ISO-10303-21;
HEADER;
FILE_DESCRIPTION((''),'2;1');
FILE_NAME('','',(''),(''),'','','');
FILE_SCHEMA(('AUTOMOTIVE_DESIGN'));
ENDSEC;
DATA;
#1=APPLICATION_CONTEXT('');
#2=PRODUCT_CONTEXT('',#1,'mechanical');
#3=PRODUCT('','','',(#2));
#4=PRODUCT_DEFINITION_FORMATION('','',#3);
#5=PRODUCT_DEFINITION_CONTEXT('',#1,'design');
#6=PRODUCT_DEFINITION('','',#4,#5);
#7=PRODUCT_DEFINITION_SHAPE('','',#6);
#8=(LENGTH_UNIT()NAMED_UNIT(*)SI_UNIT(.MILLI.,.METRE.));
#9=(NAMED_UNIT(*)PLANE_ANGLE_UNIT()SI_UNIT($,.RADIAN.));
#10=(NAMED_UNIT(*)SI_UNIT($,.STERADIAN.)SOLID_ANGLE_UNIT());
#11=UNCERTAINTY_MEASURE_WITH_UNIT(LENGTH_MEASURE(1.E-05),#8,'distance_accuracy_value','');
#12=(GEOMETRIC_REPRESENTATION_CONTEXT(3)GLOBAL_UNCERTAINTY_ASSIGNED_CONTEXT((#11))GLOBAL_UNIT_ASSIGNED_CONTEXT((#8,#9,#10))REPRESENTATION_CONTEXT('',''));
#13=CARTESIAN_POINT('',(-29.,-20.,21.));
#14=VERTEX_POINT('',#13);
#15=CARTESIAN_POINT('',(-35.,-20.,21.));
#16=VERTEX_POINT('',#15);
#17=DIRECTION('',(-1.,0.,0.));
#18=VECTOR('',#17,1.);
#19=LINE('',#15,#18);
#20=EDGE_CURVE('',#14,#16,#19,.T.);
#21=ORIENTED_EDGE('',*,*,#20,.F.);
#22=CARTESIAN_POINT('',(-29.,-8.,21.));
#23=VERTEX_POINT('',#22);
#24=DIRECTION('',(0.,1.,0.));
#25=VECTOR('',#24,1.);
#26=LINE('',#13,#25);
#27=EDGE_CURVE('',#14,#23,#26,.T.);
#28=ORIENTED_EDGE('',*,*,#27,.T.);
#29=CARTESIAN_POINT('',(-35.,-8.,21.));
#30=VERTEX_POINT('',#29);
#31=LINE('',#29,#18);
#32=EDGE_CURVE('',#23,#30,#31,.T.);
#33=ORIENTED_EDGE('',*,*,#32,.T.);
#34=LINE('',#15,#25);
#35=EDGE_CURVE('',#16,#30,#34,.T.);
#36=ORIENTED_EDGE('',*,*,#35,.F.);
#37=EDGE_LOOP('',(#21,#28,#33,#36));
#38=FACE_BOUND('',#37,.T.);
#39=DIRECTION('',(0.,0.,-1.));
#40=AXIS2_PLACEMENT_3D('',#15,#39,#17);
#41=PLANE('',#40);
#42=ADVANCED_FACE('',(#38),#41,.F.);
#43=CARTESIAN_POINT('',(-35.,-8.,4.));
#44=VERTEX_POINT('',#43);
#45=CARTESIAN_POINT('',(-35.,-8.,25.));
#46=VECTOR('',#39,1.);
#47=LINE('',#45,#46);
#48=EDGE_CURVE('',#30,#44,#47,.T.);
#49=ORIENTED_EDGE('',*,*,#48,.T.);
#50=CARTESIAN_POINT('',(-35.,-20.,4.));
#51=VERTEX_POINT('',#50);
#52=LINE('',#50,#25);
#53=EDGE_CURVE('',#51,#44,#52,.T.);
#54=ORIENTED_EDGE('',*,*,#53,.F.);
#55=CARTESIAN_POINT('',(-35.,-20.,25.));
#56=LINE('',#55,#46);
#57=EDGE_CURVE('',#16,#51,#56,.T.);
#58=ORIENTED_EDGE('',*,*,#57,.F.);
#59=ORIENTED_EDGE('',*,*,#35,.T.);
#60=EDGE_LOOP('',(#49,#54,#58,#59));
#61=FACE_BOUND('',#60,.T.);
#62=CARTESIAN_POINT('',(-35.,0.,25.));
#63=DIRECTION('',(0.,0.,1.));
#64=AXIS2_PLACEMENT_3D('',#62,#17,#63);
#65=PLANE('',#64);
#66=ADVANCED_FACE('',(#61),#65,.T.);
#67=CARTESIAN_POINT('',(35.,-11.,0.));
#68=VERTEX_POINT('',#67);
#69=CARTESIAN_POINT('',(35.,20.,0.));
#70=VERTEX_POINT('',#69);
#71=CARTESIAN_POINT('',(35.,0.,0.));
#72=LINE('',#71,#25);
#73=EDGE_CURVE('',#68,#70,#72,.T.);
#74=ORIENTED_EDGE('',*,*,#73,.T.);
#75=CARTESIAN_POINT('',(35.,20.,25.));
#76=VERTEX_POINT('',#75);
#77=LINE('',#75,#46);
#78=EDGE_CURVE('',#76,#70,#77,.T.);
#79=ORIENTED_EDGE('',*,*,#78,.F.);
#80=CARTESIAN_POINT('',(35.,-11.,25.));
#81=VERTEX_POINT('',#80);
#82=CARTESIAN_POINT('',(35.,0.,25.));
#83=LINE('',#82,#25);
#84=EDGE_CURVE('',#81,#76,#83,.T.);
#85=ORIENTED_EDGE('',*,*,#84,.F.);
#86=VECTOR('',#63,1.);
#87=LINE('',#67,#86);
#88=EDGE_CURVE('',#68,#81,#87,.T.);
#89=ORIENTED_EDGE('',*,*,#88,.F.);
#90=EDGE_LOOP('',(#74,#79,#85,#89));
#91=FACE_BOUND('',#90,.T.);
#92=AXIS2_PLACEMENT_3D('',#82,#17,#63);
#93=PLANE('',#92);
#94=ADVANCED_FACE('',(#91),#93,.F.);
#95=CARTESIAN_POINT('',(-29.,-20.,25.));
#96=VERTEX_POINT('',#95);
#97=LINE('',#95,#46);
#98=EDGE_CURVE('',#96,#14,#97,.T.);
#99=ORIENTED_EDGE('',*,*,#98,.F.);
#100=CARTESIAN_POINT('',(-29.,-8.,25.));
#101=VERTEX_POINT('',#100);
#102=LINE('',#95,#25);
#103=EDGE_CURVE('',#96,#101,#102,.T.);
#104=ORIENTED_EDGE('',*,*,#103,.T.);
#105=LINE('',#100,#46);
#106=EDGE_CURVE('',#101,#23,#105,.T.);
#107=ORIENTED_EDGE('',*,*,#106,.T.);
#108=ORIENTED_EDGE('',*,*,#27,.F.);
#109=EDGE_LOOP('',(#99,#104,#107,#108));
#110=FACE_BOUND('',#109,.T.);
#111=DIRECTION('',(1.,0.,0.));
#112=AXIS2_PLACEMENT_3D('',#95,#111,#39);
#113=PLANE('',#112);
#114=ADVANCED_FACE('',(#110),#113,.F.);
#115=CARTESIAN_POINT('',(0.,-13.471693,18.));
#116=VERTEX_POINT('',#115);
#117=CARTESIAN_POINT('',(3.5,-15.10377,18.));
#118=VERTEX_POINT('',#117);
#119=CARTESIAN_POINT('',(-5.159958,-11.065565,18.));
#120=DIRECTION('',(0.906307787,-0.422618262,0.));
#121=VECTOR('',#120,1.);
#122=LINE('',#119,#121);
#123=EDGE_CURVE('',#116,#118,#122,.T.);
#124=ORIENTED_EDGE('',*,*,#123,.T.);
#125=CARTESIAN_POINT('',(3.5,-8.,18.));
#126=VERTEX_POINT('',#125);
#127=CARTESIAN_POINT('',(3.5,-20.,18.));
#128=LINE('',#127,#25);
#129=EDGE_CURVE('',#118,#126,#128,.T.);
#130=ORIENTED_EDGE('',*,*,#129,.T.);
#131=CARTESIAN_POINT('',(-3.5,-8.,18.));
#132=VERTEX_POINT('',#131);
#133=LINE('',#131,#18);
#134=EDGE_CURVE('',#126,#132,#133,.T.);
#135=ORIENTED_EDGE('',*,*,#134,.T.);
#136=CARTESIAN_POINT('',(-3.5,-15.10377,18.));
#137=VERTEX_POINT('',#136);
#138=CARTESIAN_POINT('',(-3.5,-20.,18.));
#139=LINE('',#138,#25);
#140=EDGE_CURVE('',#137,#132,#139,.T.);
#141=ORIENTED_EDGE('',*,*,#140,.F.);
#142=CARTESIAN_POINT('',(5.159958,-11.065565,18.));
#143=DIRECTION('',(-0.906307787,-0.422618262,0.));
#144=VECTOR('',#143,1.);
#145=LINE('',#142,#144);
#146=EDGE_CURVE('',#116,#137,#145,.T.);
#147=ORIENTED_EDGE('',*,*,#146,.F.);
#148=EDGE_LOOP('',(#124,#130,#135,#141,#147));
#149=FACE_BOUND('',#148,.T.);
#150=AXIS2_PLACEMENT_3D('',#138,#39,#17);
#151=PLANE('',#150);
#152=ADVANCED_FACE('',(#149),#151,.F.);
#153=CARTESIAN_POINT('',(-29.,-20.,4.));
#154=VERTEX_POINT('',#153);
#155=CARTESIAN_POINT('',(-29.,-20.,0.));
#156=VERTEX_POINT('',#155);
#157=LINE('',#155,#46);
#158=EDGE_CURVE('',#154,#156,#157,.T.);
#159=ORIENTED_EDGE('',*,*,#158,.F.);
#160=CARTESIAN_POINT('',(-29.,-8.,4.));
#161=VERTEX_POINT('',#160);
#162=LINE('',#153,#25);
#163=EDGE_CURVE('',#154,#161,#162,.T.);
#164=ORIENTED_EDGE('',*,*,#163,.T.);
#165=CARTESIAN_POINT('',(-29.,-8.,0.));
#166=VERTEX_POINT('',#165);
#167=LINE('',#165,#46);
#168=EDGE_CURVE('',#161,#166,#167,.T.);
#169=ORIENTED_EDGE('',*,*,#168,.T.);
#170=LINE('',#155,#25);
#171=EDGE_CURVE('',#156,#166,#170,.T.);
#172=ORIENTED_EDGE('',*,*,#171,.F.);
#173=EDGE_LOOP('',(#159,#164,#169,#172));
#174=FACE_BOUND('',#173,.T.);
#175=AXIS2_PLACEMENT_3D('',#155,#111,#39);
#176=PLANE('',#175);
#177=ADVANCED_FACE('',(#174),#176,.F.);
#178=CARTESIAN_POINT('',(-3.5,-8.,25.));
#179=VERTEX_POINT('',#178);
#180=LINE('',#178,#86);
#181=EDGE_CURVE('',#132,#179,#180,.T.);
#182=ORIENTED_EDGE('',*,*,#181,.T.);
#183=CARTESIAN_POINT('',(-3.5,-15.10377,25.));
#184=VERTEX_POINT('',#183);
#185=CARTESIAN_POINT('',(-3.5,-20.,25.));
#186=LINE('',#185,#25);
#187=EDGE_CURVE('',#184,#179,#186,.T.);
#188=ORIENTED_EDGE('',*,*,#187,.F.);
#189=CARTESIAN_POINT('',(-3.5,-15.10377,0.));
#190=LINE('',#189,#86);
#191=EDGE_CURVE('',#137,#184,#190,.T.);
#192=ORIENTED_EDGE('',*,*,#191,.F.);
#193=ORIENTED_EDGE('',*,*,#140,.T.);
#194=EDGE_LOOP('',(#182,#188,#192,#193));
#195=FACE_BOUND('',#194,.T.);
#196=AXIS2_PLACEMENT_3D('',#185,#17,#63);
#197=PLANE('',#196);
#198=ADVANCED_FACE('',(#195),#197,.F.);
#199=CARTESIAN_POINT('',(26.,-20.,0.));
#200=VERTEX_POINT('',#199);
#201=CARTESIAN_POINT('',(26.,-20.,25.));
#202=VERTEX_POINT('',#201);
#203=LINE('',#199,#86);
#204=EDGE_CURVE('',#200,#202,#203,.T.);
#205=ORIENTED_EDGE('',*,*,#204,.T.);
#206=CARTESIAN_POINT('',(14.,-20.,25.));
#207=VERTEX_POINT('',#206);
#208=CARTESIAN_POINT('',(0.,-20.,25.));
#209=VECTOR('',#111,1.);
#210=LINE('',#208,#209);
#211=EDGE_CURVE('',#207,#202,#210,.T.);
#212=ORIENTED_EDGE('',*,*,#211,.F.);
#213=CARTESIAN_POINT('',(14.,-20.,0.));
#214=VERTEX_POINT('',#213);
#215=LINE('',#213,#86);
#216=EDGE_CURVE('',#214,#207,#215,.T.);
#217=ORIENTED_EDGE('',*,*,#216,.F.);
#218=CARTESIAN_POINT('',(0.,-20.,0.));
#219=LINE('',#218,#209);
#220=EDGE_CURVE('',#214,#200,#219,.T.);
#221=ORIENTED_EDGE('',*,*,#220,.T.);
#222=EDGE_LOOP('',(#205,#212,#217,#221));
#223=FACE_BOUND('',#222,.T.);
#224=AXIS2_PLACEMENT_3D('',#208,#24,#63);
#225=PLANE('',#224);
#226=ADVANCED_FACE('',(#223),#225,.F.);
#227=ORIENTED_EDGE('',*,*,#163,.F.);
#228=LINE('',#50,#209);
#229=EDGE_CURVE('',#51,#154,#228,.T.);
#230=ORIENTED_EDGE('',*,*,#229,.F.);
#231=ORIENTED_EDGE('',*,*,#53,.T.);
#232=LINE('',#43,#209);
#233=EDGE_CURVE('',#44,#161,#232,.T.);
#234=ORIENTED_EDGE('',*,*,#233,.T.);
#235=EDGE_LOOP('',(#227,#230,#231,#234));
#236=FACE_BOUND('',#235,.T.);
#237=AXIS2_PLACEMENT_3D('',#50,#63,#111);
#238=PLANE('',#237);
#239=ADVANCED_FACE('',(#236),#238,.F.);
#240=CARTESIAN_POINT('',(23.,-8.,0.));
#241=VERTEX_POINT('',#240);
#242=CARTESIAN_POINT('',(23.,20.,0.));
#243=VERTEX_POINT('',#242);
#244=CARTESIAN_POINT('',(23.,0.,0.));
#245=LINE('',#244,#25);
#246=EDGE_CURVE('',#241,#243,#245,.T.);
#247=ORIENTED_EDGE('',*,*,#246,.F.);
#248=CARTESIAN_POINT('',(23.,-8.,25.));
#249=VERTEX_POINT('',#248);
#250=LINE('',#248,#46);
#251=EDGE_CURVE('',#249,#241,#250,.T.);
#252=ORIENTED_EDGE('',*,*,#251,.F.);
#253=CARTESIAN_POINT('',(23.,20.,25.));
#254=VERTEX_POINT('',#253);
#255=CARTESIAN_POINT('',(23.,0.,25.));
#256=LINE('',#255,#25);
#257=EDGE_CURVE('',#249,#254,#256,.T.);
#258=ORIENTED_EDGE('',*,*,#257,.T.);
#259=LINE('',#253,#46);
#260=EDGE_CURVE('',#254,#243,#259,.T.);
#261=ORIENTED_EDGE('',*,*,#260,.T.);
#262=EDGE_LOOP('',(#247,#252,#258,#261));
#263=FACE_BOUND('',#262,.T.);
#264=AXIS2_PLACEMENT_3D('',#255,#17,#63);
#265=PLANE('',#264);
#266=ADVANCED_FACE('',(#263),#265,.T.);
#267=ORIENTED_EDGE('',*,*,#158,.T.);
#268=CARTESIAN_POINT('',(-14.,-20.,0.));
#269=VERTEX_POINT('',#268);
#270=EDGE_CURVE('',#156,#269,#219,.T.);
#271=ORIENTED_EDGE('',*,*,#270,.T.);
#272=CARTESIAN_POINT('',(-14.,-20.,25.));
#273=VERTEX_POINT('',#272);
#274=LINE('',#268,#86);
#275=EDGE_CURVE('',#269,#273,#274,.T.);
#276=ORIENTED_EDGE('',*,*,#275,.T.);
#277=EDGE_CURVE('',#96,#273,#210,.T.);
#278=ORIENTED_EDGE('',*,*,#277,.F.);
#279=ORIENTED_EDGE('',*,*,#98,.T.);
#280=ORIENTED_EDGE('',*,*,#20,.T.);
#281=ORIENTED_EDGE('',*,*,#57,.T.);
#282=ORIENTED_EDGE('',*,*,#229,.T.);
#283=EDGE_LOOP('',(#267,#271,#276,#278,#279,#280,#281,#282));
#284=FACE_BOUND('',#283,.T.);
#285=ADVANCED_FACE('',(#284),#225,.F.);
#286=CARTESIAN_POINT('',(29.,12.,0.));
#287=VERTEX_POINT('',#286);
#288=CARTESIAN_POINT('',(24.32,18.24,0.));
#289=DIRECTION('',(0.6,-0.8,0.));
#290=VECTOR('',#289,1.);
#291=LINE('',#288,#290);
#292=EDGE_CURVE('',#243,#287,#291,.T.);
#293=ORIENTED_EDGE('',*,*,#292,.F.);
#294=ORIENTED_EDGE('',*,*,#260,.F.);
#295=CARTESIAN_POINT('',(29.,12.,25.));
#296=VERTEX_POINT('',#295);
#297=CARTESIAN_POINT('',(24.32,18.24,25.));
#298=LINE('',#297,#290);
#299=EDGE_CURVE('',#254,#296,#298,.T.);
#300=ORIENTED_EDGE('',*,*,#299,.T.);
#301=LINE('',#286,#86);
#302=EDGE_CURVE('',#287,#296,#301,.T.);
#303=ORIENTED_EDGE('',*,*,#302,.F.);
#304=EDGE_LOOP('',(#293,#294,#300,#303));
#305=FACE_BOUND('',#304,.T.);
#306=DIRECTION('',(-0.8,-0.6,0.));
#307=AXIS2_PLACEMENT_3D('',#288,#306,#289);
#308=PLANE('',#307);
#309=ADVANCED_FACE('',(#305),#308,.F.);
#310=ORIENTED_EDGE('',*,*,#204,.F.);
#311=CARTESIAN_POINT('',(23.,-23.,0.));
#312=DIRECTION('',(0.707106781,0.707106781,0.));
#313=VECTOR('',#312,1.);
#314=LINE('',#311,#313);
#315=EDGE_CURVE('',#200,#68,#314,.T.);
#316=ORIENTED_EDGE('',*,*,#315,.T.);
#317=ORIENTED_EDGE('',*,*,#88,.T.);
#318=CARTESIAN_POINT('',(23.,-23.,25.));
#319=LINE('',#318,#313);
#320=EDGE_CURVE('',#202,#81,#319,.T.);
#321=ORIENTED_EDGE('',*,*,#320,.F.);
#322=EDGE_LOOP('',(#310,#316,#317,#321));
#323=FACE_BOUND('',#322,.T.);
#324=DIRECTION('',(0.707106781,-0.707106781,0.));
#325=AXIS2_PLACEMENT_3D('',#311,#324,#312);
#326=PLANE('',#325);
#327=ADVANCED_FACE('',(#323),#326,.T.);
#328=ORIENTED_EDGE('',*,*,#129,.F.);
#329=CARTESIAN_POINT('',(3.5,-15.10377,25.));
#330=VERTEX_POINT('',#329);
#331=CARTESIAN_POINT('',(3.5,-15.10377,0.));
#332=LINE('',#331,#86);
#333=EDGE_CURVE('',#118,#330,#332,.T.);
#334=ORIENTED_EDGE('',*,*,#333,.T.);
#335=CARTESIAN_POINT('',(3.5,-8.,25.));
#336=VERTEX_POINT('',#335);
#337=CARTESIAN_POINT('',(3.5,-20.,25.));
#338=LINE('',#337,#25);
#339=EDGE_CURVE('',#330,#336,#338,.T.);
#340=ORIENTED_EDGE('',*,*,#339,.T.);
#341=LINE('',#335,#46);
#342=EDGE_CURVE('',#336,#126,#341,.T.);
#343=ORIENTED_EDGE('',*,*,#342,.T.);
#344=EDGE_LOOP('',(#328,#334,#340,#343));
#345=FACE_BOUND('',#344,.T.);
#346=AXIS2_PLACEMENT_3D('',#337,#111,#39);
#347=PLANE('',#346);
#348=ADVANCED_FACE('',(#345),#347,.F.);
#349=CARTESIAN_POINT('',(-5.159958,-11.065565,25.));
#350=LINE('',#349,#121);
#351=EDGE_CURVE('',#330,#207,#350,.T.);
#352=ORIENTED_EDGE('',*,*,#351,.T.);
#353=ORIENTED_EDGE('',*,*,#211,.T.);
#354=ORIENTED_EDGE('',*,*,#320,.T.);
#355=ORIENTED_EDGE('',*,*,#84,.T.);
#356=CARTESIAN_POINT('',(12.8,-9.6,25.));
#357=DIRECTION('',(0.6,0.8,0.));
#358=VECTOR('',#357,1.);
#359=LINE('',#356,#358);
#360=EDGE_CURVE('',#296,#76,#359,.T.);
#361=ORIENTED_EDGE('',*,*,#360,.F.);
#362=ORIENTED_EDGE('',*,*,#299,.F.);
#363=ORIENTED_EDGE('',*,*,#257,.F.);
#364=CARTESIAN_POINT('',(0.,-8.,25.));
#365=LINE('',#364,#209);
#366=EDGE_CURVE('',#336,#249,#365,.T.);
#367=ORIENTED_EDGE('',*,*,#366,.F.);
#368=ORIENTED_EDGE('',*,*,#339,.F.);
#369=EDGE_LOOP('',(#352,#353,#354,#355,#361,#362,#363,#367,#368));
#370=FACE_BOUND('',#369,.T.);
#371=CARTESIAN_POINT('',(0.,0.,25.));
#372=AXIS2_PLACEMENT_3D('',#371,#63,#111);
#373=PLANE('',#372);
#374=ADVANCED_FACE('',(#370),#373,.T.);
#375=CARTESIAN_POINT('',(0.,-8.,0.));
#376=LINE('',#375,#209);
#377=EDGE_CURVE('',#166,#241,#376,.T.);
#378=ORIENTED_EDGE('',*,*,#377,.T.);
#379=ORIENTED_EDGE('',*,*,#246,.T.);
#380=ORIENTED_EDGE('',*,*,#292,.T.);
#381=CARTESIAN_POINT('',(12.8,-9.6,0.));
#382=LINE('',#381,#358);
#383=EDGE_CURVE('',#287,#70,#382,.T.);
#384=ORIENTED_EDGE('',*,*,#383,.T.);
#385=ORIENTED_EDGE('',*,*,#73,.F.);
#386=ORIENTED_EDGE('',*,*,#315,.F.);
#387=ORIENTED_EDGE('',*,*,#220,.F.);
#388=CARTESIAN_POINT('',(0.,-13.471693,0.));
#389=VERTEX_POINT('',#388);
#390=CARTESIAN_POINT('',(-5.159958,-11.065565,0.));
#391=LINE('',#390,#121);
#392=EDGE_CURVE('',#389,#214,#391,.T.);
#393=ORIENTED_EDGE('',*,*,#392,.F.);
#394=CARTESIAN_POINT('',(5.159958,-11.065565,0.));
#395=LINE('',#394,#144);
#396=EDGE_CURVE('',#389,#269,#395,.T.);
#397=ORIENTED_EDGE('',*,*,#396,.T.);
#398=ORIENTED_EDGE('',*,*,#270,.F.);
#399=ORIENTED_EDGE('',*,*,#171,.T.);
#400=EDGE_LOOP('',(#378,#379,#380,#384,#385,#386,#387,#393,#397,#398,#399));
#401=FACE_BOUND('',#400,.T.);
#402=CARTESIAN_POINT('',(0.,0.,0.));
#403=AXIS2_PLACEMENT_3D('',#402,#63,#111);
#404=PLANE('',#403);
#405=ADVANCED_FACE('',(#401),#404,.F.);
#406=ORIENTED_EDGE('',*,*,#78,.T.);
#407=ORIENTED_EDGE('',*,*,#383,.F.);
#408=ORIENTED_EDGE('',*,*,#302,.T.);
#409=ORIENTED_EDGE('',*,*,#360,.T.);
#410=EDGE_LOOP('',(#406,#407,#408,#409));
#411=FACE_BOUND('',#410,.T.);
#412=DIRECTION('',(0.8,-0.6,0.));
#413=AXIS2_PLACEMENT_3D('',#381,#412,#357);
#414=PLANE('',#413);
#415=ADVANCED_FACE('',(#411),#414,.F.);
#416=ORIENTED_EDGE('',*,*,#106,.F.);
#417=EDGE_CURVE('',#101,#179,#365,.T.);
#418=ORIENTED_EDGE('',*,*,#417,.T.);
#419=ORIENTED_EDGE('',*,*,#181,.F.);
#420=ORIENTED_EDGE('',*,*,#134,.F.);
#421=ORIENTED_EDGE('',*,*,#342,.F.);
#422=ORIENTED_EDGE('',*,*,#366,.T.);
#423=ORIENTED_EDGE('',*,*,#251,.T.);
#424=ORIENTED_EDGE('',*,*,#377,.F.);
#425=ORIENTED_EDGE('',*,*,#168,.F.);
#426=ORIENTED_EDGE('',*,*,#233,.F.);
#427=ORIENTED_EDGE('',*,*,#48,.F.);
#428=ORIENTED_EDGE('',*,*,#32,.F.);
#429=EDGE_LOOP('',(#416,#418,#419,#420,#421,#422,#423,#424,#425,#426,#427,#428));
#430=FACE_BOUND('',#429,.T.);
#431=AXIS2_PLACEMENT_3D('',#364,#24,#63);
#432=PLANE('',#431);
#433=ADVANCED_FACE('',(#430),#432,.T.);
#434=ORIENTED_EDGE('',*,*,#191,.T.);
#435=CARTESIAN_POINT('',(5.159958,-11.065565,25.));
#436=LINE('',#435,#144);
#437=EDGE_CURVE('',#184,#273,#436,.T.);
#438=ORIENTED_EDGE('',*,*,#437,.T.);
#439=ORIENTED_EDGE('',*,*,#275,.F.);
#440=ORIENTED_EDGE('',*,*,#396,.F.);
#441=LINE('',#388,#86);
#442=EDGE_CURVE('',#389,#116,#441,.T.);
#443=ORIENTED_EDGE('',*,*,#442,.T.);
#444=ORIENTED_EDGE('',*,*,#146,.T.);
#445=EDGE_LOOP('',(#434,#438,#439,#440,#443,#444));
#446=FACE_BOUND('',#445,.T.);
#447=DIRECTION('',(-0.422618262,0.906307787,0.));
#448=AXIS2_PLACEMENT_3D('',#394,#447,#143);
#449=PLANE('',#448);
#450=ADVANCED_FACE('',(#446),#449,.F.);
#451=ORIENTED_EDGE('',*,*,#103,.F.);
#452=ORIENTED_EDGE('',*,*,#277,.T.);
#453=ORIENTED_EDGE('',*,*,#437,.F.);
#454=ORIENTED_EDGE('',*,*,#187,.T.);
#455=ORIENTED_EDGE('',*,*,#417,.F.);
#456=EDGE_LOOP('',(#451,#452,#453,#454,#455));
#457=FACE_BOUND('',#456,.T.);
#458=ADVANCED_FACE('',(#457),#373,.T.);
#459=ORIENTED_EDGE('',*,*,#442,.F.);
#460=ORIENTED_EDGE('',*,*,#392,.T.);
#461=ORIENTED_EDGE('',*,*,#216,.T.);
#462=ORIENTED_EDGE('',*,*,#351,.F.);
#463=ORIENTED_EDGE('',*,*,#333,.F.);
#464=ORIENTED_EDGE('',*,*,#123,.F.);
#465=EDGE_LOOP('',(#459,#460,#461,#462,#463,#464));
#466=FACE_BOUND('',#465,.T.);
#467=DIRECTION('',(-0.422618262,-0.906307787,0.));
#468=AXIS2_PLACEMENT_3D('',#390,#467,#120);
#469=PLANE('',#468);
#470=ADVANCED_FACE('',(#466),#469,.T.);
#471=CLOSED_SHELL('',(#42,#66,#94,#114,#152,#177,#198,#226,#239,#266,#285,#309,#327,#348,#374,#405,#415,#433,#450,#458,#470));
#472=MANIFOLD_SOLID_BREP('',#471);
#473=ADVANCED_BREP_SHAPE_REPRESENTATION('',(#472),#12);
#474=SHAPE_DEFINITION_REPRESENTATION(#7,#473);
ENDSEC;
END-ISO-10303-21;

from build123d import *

# Parameters (mm, degrees)
EXTRUDE_1_DEPTH     = 25
CUT_EXTRUDE_1_DEPTH = 48.434164903
SKETCH_3_W          = 6
SKETCH_3_H          = 4
SKETCH_3_W_2        = 7
SKETCH_3_H_2        = 7
CUT_EXTRUDE_2_DEPTH = 52.322509681


with BuildPart() as part:
    # Эскиз1 → Бобышка-Вытянуть1 (new body)
    with BuildSketch(Plane.XY):
        Polygon((23, -8), (-35, -8), (-35, -20), (35, -20), (35, 20), (23, 20), align=None)
    extrude(amount=EXTRUDE_1_DEPTH)

    # Эскиз2 → Вырез-Вытянуть1 (cut, through all)
    with BuildSketch(Plane.XY.offset(25)):
        Polygon((35, -20), (35, -11), (26, -20), align=None)
        Polygon((-14, -20), (14, -20), (0, -13.471692786), align=None)
        Polygon((23, 20), (29, 12), (35, 20), align=None)
    extrude(amount=-CUT_EXTRUDE_1_DEPTH, mode=Mode.SUBTRACT)

    # Эскиз3 → Вырез-Вытянуть2 (cut, through all)
    with BuildSketch(Plane(origin=(0, -8, 0), x_dir=(1, 0, 0), z_dir=(0, 1, 0))):
        with Locations((-32, -23)):
            Rectangle(SKETCH_3_W, SKETCH_3_H)
        with Locations((-32, -2)):
            Rectangle(SKETCH_3_W, SKETCH_3_H)
        with Locations((0, -21.5)):
            Rectangle(SKETCH_3_W_2, SKETCH_3_H_2)
    extrude(amount=-CUT_EXTRUDE_2_DEPTH, mode=Mode.SUBTRACT)


solid = part.part
